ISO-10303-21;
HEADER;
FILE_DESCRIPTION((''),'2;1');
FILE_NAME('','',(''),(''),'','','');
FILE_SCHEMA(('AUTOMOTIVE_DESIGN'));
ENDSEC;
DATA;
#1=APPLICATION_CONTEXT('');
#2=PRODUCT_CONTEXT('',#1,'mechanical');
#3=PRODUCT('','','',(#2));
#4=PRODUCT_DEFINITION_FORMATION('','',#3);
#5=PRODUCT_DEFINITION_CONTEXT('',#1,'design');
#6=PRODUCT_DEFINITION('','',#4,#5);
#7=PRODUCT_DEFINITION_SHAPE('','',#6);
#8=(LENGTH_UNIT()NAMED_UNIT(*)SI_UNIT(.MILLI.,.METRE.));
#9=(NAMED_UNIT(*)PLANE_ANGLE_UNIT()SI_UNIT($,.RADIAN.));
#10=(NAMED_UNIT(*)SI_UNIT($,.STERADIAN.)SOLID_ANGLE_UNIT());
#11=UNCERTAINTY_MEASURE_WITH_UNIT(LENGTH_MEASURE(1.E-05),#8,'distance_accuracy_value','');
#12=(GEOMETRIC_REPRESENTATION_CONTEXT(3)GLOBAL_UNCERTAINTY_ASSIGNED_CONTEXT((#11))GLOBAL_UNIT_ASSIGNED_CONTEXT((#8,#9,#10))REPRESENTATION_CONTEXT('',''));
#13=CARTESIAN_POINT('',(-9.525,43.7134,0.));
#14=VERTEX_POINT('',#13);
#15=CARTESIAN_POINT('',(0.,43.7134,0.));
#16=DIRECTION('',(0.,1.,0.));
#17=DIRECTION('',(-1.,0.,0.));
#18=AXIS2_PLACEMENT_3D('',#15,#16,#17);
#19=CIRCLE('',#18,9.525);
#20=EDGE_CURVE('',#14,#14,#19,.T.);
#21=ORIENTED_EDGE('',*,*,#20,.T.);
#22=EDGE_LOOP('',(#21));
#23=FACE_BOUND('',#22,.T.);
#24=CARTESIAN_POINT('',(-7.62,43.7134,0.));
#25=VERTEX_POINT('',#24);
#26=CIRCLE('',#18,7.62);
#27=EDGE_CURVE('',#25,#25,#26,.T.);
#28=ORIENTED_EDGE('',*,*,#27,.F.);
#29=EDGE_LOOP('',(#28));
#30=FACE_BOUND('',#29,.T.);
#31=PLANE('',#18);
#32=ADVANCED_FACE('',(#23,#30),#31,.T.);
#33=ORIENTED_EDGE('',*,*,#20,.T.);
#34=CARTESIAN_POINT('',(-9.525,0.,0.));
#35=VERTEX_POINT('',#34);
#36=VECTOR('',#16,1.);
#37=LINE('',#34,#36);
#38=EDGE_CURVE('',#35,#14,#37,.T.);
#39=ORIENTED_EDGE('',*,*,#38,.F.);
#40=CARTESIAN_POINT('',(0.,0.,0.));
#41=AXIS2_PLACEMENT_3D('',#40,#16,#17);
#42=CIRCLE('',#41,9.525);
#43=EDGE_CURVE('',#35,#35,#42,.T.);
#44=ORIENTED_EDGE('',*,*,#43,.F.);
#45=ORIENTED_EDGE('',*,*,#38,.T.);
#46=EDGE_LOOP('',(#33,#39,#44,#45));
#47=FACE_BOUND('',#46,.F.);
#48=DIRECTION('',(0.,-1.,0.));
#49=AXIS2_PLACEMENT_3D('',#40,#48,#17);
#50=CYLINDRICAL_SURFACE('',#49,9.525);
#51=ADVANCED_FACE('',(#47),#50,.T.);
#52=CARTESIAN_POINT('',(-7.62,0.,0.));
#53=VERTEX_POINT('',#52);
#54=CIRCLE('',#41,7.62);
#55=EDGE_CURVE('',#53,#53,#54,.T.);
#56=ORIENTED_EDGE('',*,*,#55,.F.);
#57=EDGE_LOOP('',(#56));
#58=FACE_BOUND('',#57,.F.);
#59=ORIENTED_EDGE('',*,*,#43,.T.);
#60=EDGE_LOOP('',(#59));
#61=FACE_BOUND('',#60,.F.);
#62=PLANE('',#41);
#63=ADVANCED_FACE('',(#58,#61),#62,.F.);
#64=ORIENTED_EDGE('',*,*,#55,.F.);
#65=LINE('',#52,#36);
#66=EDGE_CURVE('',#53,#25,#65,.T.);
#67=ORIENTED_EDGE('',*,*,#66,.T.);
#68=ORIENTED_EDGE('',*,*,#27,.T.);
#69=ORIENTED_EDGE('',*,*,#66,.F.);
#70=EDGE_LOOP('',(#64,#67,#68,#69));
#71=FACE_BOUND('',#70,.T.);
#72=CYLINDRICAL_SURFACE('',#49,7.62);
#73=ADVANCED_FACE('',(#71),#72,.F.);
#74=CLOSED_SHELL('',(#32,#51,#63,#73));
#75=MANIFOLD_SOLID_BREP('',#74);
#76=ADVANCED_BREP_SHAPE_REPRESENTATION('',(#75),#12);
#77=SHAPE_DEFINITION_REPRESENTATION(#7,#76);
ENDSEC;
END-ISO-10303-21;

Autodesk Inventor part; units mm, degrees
ref_plane "YZ Plane" through (0, 0, 0) normal (1, 0, 0) x (0, 1, 0)
ref_plane "XZ Plane" through (0, 0, 0) normal (0, 1, 0) x (-1, 0, 0)
ref_plane "XY Plane" through (0, 0, 0) normal (0, 0, 1) x (1, 0, 0)
sketch "Sketch1" plane through (0, 0, 0) normal (0, 1, 0) x (-1, 0, 0)
  circle A0 centre (0, 0) radius 7.62
  circle A1 centre (0, 0) radius 9.525
  dimension "d0" = 15.24
  dimension "d1" = 19.05
extrude "Extrusion1" add sketch "Sketch1" along normal blind 43.7134
properties part number "Intake Pivot Spacer 4"
